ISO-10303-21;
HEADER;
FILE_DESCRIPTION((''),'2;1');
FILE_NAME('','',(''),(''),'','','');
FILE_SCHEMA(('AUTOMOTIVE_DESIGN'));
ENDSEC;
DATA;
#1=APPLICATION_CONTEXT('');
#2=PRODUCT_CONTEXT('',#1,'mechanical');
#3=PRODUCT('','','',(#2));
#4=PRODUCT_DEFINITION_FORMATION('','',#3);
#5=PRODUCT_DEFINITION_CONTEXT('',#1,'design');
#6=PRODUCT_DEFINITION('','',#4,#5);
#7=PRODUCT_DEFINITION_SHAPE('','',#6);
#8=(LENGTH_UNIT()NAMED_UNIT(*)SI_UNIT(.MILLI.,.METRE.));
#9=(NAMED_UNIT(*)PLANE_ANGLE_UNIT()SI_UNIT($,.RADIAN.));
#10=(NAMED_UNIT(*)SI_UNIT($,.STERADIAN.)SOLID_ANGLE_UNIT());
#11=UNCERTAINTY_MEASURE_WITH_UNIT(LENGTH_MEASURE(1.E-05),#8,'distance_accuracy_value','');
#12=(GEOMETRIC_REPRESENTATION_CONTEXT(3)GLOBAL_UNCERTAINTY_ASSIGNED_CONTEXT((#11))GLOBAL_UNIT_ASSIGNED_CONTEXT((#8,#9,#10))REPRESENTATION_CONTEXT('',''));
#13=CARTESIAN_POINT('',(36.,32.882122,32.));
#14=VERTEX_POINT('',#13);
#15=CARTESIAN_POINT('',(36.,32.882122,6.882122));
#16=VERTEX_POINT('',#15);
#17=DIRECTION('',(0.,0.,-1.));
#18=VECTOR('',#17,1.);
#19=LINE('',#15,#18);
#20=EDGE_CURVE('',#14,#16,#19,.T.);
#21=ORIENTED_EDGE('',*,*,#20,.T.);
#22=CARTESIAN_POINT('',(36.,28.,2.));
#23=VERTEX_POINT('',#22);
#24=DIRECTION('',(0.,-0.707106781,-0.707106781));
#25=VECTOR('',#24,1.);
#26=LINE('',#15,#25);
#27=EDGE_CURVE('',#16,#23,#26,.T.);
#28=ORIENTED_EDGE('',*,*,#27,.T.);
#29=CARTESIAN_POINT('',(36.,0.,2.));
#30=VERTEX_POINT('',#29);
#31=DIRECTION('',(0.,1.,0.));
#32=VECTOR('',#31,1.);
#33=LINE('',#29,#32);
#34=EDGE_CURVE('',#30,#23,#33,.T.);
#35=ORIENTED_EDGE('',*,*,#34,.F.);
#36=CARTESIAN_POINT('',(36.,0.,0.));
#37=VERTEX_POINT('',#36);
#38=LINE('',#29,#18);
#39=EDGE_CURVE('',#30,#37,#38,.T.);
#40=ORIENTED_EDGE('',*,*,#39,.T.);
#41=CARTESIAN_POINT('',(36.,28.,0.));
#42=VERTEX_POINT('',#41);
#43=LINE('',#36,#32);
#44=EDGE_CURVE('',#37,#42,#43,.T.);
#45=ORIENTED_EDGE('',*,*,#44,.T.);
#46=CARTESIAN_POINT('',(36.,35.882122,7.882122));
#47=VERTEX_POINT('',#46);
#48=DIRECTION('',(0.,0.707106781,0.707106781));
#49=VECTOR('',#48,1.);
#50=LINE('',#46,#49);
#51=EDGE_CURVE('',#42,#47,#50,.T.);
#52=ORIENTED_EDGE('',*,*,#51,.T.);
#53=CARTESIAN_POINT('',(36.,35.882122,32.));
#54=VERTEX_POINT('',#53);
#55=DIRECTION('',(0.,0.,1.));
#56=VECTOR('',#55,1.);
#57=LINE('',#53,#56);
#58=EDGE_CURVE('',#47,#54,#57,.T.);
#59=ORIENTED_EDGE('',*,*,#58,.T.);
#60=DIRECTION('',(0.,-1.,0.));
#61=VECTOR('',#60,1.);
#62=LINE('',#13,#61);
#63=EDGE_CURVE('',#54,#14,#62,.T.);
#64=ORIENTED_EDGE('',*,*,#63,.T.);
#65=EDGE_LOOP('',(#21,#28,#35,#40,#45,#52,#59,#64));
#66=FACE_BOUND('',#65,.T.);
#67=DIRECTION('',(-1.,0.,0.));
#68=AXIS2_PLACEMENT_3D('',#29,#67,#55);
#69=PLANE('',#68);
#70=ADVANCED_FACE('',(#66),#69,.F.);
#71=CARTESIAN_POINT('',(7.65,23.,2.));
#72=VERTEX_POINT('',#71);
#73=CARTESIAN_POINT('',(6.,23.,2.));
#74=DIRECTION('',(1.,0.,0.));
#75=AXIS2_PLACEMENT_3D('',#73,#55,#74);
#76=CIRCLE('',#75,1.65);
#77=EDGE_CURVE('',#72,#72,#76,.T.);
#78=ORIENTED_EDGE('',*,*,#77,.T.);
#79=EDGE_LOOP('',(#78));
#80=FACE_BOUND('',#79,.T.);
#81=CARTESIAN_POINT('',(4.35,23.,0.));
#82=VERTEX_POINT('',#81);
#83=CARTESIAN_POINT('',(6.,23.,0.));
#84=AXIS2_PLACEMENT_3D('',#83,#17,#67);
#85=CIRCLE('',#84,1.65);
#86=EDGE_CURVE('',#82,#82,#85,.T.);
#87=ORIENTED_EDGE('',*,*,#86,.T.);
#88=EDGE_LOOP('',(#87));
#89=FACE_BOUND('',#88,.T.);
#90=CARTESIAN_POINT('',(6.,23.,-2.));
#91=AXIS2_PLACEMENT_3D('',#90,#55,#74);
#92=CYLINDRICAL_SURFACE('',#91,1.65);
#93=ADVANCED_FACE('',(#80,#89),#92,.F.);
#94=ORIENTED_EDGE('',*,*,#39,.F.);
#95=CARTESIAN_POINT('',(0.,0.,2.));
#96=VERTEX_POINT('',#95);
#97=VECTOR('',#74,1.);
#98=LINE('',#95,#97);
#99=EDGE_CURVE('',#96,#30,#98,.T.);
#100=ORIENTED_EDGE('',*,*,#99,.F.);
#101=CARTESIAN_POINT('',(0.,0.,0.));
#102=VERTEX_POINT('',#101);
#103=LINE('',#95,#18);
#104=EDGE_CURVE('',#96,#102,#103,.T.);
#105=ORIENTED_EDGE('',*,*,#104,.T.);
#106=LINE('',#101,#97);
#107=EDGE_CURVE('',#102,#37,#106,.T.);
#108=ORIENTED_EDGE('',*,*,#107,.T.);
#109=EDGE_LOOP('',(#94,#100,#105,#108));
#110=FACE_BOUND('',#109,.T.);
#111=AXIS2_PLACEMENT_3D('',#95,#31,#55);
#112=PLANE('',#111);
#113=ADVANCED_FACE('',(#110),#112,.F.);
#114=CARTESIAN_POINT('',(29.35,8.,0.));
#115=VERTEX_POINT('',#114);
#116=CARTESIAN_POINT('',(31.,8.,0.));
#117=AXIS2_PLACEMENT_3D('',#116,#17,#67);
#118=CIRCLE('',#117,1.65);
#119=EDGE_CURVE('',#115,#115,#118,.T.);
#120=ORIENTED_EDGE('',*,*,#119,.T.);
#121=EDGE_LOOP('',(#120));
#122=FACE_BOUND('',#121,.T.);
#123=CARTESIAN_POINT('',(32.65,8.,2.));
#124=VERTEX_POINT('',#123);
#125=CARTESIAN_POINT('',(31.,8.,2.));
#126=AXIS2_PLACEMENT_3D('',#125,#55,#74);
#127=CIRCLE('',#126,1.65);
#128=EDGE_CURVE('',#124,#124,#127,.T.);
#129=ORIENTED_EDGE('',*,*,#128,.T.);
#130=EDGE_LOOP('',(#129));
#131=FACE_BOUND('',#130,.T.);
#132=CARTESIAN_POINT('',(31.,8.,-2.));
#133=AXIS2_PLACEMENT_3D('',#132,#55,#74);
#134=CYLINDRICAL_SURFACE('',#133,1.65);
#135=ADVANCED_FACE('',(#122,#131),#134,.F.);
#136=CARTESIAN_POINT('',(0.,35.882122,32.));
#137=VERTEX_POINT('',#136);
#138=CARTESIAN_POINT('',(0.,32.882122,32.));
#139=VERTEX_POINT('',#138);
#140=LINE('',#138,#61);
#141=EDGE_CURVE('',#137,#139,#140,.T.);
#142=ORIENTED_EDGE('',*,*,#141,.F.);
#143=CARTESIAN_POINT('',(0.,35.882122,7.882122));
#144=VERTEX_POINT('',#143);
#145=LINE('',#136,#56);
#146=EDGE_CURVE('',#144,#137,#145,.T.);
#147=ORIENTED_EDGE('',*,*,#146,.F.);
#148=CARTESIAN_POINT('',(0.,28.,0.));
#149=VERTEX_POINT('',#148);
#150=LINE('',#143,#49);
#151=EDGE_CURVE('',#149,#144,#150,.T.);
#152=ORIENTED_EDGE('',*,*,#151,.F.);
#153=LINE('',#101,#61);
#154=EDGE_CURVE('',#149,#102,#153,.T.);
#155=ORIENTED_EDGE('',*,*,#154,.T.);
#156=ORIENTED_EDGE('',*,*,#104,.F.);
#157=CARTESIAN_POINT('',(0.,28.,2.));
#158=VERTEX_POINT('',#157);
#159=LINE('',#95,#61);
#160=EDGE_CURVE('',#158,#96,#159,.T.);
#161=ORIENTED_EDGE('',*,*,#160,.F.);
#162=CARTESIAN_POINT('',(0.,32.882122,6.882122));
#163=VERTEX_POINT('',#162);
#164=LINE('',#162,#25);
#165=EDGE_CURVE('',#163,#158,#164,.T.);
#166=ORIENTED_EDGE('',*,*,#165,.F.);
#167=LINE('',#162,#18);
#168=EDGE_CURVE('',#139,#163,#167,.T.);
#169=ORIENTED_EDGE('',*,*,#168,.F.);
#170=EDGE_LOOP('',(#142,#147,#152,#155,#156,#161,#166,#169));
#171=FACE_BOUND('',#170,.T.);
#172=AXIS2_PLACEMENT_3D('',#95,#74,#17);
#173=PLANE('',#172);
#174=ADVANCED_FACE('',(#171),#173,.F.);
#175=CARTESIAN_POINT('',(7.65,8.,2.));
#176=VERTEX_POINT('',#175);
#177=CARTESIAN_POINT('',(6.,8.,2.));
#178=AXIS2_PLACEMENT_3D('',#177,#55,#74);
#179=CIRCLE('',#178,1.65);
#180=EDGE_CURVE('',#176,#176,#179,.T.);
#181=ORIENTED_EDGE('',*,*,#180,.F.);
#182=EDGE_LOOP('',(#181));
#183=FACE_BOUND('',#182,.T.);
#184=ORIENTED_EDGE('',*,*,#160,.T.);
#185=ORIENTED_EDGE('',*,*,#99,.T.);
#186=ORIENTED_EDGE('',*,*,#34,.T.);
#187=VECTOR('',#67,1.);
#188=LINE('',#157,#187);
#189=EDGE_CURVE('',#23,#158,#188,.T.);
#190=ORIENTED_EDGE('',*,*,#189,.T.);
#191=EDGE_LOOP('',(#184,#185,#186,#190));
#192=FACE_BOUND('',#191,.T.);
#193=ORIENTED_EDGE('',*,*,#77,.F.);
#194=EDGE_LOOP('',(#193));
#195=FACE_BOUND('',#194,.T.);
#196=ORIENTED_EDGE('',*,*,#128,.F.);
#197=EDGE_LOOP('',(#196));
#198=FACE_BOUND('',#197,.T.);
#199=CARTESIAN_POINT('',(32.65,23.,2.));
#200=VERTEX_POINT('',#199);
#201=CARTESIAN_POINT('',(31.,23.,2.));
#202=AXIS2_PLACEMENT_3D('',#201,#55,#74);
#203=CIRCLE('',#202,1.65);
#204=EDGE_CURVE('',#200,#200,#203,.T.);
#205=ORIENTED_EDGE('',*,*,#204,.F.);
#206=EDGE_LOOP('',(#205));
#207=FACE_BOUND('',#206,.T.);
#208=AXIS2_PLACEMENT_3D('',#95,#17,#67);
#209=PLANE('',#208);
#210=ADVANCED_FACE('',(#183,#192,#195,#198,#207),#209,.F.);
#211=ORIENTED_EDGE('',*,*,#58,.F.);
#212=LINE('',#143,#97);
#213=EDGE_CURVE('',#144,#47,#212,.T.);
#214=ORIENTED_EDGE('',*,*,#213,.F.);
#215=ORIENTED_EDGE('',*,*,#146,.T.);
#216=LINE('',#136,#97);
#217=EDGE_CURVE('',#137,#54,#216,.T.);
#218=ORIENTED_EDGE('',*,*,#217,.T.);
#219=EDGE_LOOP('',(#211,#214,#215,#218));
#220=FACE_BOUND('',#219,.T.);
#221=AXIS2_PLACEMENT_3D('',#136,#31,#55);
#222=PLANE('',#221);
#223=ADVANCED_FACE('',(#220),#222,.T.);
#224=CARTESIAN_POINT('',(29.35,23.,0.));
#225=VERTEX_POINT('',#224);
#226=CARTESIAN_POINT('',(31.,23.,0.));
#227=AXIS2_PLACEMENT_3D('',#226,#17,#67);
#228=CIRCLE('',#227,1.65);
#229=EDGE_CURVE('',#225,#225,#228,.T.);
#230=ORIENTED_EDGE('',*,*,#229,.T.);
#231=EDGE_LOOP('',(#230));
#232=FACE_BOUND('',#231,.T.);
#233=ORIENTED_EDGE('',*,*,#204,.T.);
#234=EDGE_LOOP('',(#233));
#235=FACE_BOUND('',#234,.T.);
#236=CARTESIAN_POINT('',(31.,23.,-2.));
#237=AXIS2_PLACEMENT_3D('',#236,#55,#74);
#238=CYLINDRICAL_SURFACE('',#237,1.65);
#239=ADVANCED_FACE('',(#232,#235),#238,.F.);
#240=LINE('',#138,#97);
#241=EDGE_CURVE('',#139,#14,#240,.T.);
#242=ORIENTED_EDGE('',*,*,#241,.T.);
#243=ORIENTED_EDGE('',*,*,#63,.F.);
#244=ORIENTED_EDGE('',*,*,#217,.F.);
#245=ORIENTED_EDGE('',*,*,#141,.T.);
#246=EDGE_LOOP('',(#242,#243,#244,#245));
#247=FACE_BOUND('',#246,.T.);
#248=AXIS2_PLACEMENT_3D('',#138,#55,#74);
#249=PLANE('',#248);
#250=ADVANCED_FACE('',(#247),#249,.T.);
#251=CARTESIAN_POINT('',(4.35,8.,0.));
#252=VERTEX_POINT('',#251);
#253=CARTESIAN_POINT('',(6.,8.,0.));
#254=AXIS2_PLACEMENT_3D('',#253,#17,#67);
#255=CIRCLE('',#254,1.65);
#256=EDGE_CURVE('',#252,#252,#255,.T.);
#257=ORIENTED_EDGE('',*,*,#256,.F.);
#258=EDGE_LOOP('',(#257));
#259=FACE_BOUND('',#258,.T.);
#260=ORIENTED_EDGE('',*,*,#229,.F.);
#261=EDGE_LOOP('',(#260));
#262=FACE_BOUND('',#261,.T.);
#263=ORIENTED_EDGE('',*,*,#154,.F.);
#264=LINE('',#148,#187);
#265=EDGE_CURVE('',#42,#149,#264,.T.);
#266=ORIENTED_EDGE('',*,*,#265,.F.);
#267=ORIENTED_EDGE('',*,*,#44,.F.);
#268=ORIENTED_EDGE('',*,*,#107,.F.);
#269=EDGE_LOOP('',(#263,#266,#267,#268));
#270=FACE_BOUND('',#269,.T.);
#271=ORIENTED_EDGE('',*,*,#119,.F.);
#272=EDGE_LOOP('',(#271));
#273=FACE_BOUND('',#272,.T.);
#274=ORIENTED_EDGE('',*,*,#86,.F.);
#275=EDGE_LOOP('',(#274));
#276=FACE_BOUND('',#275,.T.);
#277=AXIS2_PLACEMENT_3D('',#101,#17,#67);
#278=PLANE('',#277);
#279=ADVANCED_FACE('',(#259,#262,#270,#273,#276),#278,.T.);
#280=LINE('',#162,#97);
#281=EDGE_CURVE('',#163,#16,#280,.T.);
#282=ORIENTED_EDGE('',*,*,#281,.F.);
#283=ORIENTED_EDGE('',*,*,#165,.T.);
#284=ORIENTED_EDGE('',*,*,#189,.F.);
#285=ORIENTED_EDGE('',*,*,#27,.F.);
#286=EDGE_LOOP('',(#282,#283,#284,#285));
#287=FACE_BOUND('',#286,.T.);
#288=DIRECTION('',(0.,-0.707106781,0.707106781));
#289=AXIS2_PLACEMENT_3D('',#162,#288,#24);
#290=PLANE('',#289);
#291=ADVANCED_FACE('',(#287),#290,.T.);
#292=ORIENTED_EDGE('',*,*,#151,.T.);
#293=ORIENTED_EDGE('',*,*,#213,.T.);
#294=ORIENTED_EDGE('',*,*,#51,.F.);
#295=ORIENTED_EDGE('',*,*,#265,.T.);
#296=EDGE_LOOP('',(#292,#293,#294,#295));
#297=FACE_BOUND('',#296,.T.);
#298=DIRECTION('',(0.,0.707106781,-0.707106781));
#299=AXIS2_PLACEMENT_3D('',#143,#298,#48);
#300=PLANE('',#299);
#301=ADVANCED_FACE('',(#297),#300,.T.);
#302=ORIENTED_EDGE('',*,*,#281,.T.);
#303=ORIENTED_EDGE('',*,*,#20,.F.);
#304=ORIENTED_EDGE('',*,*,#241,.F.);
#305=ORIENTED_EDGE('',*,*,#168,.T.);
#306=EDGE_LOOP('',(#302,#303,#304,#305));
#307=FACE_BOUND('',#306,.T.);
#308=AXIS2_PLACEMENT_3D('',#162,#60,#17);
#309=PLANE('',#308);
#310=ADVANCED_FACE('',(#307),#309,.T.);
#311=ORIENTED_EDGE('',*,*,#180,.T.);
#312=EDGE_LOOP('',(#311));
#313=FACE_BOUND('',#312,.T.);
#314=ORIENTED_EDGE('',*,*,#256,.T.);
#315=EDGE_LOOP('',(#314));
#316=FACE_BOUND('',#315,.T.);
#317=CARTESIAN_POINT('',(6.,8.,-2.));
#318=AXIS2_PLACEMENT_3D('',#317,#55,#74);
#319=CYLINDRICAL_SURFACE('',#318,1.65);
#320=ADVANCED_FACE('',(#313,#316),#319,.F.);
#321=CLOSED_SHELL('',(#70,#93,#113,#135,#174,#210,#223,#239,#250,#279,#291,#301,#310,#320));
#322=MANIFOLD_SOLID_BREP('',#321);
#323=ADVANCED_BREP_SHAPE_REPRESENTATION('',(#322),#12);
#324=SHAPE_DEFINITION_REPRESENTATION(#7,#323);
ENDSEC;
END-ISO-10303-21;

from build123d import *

# Parameters (mm, degrees)
SKETCH_1_W          = 36
SKETCH_1_H          = 28
EXTRUDE_1_DEPTH     = 2
EXTRUDE_2_DEPTH     = 36
SKETCH_3_R          = 1.65
CUT_EXTRUDE_1_DEPTH = 4


with BuildPart() as part:
    # 草图1 → 凸台-拉伸1 (new body)
    with BuildSketch(Plane.XY):
        with Locations((18, 14)):
            Rectangle(SKETCH_1_W, SKETCH_1_H)
    extrude(amount=EXTRUDE_1_DEPTH)

    # 草图2 → 凸台-拉伸2 (add)
    with BuildSketch(Plane(origin=(36, 0, 0), x_dir=(0, 0, -1), z_dir=(1, 0, 0))):
        Polygon((-6.882121938, 32.882121938), (-2, 28), (0, 28), (-7.882121938, 35.882121938), (-32, 35.882121938), (-32, 32.882121938), align=None)
    extrude(amount=-EXTRUDE_2_DEPTH)

    # 草图3 → 切除-拉伸1 (cut)
    with BuildSketch(Plane.XY.offset(2)):
        with Locations((31, 23)):
            Circle(SKETCH_3_R)
        with Locations((6, 23)):
            Circle(SKETCH_3_R)
        with Locations((6, 8)):
            Circle(SKETCH_3_R)
        with Locations((31, 8)):
            Circle(SKETCH_3_R)
    extrude(amount=-CUT_EXTRUDE_1_DEPTH, mode=Mode.SUBTRACT)


solid = part.part
